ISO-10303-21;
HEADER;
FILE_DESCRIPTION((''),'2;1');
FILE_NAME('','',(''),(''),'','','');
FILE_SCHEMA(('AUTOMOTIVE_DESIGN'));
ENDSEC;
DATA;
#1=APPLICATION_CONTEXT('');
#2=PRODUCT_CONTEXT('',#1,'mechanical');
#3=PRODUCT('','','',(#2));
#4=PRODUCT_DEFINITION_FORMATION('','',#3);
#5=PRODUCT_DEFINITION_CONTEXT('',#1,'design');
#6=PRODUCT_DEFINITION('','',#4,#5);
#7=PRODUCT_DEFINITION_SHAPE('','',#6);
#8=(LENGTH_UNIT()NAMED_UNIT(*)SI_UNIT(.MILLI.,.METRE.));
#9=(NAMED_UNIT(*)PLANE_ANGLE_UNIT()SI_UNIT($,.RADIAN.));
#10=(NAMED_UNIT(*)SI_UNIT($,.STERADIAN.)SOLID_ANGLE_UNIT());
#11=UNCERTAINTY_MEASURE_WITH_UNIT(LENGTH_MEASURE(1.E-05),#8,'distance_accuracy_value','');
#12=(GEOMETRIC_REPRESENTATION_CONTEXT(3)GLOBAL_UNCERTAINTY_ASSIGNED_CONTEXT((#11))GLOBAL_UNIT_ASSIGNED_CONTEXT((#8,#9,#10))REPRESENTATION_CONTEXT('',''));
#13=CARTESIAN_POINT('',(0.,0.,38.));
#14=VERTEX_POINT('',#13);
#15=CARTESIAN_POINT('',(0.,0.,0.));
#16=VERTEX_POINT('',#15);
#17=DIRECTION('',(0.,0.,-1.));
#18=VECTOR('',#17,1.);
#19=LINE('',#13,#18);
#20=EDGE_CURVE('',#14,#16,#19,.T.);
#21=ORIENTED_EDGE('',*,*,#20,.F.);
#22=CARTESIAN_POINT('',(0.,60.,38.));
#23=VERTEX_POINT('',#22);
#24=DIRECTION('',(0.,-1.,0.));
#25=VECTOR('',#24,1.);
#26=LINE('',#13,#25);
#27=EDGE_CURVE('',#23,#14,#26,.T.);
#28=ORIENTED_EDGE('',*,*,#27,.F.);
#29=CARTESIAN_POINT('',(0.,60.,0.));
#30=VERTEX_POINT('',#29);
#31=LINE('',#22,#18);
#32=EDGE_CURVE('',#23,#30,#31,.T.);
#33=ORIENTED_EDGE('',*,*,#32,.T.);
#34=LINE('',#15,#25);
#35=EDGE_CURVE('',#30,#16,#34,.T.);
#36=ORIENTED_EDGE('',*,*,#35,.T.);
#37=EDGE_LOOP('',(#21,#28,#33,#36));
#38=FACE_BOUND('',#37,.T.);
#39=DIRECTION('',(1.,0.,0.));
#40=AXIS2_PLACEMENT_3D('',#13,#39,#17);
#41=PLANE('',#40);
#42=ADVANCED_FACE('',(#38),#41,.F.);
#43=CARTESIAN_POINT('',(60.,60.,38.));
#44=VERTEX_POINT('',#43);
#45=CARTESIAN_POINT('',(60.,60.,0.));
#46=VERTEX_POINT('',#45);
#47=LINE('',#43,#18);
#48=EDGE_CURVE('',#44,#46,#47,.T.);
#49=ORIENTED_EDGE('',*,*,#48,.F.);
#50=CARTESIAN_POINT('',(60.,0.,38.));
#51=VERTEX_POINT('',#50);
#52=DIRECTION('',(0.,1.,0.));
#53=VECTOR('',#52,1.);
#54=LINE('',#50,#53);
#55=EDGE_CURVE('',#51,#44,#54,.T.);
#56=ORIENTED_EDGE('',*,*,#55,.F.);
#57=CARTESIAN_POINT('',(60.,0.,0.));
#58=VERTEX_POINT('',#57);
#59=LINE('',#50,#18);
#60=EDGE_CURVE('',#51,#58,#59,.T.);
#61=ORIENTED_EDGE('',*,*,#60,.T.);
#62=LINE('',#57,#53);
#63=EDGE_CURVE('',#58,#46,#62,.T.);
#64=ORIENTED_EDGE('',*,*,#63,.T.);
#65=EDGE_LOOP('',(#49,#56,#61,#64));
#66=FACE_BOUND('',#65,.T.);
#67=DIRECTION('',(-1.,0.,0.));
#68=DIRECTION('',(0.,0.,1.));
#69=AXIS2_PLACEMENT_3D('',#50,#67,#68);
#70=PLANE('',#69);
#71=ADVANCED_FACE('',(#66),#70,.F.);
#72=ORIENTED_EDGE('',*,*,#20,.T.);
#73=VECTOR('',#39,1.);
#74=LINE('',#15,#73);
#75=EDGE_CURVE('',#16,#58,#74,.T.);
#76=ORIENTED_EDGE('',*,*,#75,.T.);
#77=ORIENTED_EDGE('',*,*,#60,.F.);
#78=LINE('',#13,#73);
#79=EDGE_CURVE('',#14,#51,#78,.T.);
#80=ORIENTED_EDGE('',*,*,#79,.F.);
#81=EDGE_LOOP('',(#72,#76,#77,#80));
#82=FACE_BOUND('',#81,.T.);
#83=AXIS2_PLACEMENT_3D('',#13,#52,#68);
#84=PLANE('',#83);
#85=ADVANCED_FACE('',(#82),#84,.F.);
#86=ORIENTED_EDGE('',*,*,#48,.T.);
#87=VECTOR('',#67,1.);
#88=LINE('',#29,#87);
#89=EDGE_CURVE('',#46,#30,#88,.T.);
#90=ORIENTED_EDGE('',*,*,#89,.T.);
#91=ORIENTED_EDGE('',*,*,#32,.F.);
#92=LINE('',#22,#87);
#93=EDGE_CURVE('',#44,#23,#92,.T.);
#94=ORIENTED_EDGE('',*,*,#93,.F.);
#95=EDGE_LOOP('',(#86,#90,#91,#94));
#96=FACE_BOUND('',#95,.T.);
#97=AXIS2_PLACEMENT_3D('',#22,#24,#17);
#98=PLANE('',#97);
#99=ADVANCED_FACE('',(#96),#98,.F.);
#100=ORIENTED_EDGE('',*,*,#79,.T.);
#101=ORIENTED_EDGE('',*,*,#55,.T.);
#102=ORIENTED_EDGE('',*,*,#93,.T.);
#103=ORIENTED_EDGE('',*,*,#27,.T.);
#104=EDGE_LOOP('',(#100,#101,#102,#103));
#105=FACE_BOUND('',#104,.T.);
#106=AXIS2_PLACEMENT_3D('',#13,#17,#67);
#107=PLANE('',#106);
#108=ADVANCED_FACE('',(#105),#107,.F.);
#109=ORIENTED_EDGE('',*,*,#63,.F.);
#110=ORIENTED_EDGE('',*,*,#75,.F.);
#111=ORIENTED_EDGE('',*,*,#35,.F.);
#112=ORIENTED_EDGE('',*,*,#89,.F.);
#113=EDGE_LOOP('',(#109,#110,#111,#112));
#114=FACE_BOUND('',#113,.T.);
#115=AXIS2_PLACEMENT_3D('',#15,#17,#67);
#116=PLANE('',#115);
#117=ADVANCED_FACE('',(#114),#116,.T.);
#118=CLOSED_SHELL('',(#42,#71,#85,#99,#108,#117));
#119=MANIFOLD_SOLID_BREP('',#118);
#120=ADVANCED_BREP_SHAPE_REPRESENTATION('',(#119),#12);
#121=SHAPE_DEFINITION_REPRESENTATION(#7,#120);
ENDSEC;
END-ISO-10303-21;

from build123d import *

# Parameters (mm, degrees)
SKETCH1_W           = 60
SKETCH1_H           = 60
BOSS_EXTRUDE1_DEPTH = 38


with BuildPart() as part:
    # Sketch1 → Boss-Extrude1 (new body)
    with BuildSketch(Plane.XY):
        with Locations((30, 30)):
            Rectangle(SKETCH1_W, SKETCH1_H)
    extrude(amount=BOSS_EXTRUDE1_DEPTH)


solid = part.part
